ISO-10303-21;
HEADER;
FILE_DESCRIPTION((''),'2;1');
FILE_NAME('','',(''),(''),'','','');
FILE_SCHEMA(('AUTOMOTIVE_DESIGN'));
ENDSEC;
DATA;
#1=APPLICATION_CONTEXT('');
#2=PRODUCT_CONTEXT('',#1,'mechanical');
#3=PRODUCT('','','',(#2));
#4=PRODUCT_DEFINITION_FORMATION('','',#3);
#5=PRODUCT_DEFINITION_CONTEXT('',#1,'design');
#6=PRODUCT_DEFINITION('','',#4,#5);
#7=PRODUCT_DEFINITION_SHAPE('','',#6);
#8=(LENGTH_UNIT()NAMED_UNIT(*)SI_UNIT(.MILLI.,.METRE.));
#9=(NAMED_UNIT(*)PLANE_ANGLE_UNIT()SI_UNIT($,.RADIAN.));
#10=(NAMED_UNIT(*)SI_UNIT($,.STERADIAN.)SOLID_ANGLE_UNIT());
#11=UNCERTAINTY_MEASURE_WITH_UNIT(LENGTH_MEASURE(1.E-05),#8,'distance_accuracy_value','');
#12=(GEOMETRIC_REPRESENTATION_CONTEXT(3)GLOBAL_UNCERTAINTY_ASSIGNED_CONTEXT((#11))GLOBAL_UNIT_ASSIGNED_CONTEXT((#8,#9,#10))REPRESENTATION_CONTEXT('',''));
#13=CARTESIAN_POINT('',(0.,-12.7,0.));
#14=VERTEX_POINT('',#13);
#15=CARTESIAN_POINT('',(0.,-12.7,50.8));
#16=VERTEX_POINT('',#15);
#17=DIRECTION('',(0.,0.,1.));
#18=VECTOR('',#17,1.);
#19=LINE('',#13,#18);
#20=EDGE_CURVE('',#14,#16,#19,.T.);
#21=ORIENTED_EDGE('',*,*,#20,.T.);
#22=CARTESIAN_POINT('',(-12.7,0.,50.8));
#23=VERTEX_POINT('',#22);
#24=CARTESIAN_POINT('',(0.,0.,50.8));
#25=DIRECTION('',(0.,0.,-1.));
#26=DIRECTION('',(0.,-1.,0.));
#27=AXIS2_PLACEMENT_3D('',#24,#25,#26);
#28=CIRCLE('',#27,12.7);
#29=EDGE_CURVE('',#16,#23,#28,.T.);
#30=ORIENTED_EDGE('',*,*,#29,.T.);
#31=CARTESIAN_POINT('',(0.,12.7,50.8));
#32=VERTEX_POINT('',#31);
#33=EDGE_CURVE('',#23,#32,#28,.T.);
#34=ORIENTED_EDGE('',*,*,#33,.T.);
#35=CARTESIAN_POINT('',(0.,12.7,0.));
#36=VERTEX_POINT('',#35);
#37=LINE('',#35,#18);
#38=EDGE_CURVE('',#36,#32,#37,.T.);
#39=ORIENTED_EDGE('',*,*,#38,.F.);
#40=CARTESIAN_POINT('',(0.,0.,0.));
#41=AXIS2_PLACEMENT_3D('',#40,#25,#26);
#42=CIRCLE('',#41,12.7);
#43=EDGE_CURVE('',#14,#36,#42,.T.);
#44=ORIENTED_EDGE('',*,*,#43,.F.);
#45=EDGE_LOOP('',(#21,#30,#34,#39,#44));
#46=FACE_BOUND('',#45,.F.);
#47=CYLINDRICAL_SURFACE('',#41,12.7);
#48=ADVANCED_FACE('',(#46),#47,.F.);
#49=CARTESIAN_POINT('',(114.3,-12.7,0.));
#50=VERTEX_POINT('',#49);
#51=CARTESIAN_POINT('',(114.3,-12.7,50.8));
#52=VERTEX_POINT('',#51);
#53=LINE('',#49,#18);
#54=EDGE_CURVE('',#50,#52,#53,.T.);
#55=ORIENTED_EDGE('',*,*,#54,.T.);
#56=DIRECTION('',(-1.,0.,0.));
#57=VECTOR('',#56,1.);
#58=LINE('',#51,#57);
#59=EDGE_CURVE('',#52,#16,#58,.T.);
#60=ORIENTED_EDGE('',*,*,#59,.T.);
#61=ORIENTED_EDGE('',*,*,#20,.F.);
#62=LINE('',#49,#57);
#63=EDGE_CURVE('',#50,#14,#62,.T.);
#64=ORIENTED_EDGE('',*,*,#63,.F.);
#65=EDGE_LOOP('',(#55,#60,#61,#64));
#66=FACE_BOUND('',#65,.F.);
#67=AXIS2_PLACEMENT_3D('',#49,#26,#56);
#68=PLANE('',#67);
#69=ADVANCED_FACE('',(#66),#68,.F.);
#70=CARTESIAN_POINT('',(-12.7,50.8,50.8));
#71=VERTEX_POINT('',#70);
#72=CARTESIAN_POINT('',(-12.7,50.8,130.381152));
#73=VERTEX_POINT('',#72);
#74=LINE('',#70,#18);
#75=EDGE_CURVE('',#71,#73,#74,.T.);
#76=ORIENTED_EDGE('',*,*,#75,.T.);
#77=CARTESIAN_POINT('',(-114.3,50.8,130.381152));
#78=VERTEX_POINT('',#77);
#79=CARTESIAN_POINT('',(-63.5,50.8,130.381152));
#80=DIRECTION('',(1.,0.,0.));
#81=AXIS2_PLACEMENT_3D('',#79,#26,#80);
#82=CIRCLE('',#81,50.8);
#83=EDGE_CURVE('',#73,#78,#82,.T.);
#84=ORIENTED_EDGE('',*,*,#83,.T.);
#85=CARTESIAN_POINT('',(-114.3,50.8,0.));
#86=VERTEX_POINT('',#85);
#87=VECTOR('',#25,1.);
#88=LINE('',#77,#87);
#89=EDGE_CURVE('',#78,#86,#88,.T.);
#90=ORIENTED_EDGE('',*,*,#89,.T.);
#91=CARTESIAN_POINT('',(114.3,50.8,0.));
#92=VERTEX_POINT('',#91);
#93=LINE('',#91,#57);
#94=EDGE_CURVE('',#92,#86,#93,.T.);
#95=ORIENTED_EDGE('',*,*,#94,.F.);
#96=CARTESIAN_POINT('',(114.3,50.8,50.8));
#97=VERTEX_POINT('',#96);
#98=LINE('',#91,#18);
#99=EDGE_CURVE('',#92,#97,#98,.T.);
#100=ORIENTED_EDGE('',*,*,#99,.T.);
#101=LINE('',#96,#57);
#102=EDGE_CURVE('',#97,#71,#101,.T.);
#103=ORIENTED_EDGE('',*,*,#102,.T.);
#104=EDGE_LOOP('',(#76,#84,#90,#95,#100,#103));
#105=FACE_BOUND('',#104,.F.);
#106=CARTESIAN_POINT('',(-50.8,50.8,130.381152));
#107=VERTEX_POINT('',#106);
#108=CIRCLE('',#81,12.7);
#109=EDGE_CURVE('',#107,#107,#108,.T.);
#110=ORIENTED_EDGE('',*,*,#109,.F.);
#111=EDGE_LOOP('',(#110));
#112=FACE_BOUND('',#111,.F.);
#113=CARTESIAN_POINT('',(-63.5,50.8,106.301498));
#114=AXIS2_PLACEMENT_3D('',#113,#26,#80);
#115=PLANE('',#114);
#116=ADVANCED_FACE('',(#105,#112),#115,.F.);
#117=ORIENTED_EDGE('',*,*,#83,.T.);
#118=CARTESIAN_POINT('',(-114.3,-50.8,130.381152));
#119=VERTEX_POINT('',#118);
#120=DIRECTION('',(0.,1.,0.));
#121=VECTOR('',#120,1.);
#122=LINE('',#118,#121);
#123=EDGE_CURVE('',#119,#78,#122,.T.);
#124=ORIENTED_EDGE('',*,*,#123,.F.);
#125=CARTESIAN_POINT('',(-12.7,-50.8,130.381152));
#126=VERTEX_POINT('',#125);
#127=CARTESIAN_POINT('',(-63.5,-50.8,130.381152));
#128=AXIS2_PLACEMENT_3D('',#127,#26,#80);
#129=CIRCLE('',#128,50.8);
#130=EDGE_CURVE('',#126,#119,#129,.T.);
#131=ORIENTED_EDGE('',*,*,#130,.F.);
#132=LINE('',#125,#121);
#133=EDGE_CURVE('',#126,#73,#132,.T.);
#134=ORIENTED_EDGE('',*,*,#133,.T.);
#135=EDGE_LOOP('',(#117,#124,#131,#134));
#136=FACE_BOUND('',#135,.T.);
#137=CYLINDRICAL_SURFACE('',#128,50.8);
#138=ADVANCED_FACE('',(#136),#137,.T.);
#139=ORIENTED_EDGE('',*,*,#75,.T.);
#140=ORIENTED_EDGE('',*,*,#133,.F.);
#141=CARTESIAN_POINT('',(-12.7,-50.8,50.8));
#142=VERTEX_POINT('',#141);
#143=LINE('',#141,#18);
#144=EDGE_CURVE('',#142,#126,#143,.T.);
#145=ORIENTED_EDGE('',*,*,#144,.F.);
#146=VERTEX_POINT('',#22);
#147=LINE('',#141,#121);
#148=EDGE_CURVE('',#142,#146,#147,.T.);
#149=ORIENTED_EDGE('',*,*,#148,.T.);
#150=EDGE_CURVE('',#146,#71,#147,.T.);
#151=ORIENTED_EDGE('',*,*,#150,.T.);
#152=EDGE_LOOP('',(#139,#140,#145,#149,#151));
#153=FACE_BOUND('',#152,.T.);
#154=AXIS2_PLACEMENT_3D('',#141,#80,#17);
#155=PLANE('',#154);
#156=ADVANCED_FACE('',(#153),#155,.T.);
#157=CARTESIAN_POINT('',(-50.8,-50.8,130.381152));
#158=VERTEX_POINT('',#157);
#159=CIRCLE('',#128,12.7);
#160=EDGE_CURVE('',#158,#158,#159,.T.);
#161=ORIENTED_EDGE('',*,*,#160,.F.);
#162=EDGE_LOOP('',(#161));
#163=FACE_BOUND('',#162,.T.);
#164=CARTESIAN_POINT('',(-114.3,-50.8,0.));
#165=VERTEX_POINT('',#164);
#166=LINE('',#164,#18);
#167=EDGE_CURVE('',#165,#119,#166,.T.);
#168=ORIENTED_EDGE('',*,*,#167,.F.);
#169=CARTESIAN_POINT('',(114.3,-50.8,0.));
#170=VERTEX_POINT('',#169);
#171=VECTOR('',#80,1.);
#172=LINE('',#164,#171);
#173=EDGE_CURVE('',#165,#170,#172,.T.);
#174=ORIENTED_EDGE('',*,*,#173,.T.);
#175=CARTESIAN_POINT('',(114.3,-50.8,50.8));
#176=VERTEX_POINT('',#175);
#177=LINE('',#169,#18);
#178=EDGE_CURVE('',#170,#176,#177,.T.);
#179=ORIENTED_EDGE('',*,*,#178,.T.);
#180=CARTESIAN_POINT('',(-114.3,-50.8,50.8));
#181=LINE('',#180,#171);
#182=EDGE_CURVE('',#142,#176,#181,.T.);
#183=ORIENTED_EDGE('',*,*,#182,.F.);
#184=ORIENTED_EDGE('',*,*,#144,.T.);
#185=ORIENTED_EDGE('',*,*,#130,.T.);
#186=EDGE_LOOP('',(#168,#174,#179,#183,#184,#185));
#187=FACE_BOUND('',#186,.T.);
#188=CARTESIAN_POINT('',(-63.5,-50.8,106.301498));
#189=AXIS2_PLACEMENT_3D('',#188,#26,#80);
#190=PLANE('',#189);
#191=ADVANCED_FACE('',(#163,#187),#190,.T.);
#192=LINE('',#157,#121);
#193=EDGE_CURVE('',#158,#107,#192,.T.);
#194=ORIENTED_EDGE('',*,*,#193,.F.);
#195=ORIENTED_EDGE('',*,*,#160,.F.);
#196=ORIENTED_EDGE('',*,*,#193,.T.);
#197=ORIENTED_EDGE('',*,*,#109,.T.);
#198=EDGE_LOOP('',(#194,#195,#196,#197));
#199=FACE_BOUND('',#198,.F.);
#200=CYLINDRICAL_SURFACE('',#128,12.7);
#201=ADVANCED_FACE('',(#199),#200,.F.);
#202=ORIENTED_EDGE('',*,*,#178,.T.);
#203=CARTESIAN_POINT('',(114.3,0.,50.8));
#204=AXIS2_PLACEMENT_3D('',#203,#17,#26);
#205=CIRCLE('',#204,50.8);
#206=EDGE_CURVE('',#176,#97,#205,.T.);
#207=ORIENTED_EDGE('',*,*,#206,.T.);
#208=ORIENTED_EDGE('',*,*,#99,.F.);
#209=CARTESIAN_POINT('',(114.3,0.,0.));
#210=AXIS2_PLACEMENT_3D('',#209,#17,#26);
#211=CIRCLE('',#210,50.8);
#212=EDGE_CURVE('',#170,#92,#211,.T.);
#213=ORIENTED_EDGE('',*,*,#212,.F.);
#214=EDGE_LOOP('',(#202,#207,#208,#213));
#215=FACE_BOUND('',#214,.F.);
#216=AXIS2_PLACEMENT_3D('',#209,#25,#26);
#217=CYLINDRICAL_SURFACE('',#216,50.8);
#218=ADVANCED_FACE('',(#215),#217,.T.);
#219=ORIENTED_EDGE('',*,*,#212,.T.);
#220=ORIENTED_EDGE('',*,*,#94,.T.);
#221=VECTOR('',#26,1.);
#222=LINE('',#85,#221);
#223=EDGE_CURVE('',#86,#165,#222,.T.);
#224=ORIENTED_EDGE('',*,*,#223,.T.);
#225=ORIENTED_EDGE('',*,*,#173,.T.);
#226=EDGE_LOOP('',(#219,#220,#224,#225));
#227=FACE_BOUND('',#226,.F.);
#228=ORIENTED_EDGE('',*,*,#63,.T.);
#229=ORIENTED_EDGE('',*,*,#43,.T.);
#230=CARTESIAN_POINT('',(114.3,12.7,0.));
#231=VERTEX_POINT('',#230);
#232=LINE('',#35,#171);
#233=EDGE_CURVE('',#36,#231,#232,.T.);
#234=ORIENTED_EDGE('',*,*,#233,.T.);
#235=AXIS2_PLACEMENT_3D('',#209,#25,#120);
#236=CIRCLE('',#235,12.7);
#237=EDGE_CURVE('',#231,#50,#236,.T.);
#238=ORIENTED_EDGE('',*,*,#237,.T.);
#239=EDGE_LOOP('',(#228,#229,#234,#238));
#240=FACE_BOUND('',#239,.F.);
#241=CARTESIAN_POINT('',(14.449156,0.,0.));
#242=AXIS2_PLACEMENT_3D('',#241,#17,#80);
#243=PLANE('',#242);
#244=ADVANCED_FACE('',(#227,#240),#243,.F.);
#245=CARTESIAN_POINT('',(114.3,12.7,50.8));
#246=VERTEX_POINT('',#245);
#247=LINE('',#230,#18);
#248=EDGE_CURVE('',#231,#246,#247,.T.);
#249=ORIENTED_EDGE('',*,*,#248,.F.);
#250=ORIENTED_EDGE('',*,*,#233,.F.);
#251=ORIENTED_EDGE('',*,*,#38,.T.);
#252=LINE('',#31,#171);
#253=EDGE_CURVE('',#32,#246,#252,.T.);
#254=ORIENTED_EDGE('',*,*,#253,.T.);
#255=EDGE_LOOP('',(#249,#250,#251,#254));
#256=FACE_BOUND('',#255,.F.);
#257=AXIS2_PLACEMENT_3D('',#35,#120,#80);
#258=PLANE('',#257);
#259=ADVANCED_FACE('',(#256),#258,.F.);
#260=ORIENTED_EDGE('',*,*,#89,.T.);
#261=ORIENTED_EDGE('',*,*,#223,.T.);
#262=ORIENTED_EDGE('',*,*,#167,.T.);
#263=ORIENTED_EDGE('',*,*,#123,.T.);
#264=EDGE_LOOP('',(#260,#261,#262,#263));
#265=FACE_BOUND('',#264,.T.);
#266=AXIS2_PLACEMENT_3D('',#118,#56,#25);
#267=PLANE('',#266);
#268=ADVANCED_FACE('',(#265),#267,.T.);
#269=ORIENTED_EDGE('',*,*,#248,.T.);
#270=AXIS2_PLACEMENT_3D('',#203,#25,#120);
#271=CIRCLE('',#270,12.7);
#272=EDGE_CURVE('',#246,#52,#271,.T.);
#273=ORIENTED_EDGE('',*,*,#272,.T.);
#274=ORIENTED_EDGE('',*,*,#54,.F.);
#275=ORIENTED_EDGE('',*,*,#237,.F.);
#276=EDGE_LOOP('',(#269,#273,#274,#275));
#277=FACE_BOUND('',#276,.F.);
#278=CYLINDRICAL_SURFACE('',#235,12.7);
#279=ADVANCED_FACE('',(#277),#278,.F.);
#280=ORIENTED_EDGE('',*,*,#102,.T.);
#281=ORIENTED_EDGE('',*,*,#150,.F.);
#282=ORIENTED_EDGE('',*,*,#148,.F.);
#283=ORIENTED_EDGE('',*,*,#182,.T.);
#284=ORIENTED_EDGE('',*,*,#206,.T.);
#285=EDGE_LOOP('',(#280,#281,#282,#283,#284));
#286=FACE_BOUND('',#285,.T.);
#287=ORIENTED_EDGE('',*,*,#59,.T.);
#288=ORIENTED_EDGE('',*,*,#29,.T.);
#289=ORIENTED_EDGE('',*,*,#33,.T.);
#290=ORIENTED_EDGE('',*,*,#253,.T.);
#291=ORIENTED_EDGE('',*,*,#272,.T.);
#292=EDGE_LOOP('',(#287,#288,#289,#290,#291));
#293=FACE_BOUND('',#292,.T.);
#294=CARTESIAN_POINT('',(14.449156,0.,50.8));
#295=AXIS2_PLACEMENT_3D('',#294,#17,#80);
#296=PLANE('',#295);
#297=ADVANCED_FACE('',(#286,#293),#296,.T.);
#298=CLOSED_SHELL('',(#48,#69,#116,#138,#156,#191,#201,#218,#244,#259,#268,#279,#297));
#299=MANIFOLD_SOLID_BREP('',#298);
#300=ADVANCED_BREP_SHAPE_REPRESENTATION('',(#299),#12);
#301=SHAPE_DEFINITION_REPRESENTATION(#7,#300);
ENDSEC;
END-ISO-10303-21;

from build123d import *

# Parameters (mm, degrees)
F1_DEPTH = 50.8
F2_R     = 12.7
F3_DEPTH = 101.6


with BuildPart() as f1:
    # F0 (on Top) → F1 (new body)
    with BuildSketch(Plane.XY):
        with BuildLine():
            ThreePointArc((114.3, -50.8), (165.1, 0), (114.3, 50.8))
            Line((114.3, 50.8), (-114.3, 50.8))
            Line((-114.3, 50.8), (-114.3, -50.8))
            Line((-114.3, -50.8), (114.3, -50.8))
        make_face()
        with BuildLine():
            Line((114.3, -12.7), (0, -12.7))
            ThreePointArc((0, -12.7), (-12.7, 0), (0, 12.7))
            Line((0, 12.7), (114.3, 12.7))
            ThreePointArc((114.3, 12.7), (127, 0), (114.3, -12.7))
        make_face(mode=Mode.SUBTRACT)
    extrude(amount=F1_DEPTH)

    # F2 (on face) → F3 (join)
    with BuildSketch(Plane.XZ.offset(50.8)):
        with BuildLine():
            Line((-114.3, 50.8), (-12.7, 50.8))
            Line((-12.7, 50.8), (-12.7, 130.381152))
            ThreePointArc((-12.7, 130.381152), (-63.5, 181.181152), (-114.3, 130.381152))
            Line((-114.3, 130.381152), (-114.3, 50.8))
        make_face()
        with Locations((-63.5, 130.381152)):
            Circle(F2_R, mode=Mode.SUBTRACT)
    extrude(amount=-F3_DEPTH)


solid = f1.part
